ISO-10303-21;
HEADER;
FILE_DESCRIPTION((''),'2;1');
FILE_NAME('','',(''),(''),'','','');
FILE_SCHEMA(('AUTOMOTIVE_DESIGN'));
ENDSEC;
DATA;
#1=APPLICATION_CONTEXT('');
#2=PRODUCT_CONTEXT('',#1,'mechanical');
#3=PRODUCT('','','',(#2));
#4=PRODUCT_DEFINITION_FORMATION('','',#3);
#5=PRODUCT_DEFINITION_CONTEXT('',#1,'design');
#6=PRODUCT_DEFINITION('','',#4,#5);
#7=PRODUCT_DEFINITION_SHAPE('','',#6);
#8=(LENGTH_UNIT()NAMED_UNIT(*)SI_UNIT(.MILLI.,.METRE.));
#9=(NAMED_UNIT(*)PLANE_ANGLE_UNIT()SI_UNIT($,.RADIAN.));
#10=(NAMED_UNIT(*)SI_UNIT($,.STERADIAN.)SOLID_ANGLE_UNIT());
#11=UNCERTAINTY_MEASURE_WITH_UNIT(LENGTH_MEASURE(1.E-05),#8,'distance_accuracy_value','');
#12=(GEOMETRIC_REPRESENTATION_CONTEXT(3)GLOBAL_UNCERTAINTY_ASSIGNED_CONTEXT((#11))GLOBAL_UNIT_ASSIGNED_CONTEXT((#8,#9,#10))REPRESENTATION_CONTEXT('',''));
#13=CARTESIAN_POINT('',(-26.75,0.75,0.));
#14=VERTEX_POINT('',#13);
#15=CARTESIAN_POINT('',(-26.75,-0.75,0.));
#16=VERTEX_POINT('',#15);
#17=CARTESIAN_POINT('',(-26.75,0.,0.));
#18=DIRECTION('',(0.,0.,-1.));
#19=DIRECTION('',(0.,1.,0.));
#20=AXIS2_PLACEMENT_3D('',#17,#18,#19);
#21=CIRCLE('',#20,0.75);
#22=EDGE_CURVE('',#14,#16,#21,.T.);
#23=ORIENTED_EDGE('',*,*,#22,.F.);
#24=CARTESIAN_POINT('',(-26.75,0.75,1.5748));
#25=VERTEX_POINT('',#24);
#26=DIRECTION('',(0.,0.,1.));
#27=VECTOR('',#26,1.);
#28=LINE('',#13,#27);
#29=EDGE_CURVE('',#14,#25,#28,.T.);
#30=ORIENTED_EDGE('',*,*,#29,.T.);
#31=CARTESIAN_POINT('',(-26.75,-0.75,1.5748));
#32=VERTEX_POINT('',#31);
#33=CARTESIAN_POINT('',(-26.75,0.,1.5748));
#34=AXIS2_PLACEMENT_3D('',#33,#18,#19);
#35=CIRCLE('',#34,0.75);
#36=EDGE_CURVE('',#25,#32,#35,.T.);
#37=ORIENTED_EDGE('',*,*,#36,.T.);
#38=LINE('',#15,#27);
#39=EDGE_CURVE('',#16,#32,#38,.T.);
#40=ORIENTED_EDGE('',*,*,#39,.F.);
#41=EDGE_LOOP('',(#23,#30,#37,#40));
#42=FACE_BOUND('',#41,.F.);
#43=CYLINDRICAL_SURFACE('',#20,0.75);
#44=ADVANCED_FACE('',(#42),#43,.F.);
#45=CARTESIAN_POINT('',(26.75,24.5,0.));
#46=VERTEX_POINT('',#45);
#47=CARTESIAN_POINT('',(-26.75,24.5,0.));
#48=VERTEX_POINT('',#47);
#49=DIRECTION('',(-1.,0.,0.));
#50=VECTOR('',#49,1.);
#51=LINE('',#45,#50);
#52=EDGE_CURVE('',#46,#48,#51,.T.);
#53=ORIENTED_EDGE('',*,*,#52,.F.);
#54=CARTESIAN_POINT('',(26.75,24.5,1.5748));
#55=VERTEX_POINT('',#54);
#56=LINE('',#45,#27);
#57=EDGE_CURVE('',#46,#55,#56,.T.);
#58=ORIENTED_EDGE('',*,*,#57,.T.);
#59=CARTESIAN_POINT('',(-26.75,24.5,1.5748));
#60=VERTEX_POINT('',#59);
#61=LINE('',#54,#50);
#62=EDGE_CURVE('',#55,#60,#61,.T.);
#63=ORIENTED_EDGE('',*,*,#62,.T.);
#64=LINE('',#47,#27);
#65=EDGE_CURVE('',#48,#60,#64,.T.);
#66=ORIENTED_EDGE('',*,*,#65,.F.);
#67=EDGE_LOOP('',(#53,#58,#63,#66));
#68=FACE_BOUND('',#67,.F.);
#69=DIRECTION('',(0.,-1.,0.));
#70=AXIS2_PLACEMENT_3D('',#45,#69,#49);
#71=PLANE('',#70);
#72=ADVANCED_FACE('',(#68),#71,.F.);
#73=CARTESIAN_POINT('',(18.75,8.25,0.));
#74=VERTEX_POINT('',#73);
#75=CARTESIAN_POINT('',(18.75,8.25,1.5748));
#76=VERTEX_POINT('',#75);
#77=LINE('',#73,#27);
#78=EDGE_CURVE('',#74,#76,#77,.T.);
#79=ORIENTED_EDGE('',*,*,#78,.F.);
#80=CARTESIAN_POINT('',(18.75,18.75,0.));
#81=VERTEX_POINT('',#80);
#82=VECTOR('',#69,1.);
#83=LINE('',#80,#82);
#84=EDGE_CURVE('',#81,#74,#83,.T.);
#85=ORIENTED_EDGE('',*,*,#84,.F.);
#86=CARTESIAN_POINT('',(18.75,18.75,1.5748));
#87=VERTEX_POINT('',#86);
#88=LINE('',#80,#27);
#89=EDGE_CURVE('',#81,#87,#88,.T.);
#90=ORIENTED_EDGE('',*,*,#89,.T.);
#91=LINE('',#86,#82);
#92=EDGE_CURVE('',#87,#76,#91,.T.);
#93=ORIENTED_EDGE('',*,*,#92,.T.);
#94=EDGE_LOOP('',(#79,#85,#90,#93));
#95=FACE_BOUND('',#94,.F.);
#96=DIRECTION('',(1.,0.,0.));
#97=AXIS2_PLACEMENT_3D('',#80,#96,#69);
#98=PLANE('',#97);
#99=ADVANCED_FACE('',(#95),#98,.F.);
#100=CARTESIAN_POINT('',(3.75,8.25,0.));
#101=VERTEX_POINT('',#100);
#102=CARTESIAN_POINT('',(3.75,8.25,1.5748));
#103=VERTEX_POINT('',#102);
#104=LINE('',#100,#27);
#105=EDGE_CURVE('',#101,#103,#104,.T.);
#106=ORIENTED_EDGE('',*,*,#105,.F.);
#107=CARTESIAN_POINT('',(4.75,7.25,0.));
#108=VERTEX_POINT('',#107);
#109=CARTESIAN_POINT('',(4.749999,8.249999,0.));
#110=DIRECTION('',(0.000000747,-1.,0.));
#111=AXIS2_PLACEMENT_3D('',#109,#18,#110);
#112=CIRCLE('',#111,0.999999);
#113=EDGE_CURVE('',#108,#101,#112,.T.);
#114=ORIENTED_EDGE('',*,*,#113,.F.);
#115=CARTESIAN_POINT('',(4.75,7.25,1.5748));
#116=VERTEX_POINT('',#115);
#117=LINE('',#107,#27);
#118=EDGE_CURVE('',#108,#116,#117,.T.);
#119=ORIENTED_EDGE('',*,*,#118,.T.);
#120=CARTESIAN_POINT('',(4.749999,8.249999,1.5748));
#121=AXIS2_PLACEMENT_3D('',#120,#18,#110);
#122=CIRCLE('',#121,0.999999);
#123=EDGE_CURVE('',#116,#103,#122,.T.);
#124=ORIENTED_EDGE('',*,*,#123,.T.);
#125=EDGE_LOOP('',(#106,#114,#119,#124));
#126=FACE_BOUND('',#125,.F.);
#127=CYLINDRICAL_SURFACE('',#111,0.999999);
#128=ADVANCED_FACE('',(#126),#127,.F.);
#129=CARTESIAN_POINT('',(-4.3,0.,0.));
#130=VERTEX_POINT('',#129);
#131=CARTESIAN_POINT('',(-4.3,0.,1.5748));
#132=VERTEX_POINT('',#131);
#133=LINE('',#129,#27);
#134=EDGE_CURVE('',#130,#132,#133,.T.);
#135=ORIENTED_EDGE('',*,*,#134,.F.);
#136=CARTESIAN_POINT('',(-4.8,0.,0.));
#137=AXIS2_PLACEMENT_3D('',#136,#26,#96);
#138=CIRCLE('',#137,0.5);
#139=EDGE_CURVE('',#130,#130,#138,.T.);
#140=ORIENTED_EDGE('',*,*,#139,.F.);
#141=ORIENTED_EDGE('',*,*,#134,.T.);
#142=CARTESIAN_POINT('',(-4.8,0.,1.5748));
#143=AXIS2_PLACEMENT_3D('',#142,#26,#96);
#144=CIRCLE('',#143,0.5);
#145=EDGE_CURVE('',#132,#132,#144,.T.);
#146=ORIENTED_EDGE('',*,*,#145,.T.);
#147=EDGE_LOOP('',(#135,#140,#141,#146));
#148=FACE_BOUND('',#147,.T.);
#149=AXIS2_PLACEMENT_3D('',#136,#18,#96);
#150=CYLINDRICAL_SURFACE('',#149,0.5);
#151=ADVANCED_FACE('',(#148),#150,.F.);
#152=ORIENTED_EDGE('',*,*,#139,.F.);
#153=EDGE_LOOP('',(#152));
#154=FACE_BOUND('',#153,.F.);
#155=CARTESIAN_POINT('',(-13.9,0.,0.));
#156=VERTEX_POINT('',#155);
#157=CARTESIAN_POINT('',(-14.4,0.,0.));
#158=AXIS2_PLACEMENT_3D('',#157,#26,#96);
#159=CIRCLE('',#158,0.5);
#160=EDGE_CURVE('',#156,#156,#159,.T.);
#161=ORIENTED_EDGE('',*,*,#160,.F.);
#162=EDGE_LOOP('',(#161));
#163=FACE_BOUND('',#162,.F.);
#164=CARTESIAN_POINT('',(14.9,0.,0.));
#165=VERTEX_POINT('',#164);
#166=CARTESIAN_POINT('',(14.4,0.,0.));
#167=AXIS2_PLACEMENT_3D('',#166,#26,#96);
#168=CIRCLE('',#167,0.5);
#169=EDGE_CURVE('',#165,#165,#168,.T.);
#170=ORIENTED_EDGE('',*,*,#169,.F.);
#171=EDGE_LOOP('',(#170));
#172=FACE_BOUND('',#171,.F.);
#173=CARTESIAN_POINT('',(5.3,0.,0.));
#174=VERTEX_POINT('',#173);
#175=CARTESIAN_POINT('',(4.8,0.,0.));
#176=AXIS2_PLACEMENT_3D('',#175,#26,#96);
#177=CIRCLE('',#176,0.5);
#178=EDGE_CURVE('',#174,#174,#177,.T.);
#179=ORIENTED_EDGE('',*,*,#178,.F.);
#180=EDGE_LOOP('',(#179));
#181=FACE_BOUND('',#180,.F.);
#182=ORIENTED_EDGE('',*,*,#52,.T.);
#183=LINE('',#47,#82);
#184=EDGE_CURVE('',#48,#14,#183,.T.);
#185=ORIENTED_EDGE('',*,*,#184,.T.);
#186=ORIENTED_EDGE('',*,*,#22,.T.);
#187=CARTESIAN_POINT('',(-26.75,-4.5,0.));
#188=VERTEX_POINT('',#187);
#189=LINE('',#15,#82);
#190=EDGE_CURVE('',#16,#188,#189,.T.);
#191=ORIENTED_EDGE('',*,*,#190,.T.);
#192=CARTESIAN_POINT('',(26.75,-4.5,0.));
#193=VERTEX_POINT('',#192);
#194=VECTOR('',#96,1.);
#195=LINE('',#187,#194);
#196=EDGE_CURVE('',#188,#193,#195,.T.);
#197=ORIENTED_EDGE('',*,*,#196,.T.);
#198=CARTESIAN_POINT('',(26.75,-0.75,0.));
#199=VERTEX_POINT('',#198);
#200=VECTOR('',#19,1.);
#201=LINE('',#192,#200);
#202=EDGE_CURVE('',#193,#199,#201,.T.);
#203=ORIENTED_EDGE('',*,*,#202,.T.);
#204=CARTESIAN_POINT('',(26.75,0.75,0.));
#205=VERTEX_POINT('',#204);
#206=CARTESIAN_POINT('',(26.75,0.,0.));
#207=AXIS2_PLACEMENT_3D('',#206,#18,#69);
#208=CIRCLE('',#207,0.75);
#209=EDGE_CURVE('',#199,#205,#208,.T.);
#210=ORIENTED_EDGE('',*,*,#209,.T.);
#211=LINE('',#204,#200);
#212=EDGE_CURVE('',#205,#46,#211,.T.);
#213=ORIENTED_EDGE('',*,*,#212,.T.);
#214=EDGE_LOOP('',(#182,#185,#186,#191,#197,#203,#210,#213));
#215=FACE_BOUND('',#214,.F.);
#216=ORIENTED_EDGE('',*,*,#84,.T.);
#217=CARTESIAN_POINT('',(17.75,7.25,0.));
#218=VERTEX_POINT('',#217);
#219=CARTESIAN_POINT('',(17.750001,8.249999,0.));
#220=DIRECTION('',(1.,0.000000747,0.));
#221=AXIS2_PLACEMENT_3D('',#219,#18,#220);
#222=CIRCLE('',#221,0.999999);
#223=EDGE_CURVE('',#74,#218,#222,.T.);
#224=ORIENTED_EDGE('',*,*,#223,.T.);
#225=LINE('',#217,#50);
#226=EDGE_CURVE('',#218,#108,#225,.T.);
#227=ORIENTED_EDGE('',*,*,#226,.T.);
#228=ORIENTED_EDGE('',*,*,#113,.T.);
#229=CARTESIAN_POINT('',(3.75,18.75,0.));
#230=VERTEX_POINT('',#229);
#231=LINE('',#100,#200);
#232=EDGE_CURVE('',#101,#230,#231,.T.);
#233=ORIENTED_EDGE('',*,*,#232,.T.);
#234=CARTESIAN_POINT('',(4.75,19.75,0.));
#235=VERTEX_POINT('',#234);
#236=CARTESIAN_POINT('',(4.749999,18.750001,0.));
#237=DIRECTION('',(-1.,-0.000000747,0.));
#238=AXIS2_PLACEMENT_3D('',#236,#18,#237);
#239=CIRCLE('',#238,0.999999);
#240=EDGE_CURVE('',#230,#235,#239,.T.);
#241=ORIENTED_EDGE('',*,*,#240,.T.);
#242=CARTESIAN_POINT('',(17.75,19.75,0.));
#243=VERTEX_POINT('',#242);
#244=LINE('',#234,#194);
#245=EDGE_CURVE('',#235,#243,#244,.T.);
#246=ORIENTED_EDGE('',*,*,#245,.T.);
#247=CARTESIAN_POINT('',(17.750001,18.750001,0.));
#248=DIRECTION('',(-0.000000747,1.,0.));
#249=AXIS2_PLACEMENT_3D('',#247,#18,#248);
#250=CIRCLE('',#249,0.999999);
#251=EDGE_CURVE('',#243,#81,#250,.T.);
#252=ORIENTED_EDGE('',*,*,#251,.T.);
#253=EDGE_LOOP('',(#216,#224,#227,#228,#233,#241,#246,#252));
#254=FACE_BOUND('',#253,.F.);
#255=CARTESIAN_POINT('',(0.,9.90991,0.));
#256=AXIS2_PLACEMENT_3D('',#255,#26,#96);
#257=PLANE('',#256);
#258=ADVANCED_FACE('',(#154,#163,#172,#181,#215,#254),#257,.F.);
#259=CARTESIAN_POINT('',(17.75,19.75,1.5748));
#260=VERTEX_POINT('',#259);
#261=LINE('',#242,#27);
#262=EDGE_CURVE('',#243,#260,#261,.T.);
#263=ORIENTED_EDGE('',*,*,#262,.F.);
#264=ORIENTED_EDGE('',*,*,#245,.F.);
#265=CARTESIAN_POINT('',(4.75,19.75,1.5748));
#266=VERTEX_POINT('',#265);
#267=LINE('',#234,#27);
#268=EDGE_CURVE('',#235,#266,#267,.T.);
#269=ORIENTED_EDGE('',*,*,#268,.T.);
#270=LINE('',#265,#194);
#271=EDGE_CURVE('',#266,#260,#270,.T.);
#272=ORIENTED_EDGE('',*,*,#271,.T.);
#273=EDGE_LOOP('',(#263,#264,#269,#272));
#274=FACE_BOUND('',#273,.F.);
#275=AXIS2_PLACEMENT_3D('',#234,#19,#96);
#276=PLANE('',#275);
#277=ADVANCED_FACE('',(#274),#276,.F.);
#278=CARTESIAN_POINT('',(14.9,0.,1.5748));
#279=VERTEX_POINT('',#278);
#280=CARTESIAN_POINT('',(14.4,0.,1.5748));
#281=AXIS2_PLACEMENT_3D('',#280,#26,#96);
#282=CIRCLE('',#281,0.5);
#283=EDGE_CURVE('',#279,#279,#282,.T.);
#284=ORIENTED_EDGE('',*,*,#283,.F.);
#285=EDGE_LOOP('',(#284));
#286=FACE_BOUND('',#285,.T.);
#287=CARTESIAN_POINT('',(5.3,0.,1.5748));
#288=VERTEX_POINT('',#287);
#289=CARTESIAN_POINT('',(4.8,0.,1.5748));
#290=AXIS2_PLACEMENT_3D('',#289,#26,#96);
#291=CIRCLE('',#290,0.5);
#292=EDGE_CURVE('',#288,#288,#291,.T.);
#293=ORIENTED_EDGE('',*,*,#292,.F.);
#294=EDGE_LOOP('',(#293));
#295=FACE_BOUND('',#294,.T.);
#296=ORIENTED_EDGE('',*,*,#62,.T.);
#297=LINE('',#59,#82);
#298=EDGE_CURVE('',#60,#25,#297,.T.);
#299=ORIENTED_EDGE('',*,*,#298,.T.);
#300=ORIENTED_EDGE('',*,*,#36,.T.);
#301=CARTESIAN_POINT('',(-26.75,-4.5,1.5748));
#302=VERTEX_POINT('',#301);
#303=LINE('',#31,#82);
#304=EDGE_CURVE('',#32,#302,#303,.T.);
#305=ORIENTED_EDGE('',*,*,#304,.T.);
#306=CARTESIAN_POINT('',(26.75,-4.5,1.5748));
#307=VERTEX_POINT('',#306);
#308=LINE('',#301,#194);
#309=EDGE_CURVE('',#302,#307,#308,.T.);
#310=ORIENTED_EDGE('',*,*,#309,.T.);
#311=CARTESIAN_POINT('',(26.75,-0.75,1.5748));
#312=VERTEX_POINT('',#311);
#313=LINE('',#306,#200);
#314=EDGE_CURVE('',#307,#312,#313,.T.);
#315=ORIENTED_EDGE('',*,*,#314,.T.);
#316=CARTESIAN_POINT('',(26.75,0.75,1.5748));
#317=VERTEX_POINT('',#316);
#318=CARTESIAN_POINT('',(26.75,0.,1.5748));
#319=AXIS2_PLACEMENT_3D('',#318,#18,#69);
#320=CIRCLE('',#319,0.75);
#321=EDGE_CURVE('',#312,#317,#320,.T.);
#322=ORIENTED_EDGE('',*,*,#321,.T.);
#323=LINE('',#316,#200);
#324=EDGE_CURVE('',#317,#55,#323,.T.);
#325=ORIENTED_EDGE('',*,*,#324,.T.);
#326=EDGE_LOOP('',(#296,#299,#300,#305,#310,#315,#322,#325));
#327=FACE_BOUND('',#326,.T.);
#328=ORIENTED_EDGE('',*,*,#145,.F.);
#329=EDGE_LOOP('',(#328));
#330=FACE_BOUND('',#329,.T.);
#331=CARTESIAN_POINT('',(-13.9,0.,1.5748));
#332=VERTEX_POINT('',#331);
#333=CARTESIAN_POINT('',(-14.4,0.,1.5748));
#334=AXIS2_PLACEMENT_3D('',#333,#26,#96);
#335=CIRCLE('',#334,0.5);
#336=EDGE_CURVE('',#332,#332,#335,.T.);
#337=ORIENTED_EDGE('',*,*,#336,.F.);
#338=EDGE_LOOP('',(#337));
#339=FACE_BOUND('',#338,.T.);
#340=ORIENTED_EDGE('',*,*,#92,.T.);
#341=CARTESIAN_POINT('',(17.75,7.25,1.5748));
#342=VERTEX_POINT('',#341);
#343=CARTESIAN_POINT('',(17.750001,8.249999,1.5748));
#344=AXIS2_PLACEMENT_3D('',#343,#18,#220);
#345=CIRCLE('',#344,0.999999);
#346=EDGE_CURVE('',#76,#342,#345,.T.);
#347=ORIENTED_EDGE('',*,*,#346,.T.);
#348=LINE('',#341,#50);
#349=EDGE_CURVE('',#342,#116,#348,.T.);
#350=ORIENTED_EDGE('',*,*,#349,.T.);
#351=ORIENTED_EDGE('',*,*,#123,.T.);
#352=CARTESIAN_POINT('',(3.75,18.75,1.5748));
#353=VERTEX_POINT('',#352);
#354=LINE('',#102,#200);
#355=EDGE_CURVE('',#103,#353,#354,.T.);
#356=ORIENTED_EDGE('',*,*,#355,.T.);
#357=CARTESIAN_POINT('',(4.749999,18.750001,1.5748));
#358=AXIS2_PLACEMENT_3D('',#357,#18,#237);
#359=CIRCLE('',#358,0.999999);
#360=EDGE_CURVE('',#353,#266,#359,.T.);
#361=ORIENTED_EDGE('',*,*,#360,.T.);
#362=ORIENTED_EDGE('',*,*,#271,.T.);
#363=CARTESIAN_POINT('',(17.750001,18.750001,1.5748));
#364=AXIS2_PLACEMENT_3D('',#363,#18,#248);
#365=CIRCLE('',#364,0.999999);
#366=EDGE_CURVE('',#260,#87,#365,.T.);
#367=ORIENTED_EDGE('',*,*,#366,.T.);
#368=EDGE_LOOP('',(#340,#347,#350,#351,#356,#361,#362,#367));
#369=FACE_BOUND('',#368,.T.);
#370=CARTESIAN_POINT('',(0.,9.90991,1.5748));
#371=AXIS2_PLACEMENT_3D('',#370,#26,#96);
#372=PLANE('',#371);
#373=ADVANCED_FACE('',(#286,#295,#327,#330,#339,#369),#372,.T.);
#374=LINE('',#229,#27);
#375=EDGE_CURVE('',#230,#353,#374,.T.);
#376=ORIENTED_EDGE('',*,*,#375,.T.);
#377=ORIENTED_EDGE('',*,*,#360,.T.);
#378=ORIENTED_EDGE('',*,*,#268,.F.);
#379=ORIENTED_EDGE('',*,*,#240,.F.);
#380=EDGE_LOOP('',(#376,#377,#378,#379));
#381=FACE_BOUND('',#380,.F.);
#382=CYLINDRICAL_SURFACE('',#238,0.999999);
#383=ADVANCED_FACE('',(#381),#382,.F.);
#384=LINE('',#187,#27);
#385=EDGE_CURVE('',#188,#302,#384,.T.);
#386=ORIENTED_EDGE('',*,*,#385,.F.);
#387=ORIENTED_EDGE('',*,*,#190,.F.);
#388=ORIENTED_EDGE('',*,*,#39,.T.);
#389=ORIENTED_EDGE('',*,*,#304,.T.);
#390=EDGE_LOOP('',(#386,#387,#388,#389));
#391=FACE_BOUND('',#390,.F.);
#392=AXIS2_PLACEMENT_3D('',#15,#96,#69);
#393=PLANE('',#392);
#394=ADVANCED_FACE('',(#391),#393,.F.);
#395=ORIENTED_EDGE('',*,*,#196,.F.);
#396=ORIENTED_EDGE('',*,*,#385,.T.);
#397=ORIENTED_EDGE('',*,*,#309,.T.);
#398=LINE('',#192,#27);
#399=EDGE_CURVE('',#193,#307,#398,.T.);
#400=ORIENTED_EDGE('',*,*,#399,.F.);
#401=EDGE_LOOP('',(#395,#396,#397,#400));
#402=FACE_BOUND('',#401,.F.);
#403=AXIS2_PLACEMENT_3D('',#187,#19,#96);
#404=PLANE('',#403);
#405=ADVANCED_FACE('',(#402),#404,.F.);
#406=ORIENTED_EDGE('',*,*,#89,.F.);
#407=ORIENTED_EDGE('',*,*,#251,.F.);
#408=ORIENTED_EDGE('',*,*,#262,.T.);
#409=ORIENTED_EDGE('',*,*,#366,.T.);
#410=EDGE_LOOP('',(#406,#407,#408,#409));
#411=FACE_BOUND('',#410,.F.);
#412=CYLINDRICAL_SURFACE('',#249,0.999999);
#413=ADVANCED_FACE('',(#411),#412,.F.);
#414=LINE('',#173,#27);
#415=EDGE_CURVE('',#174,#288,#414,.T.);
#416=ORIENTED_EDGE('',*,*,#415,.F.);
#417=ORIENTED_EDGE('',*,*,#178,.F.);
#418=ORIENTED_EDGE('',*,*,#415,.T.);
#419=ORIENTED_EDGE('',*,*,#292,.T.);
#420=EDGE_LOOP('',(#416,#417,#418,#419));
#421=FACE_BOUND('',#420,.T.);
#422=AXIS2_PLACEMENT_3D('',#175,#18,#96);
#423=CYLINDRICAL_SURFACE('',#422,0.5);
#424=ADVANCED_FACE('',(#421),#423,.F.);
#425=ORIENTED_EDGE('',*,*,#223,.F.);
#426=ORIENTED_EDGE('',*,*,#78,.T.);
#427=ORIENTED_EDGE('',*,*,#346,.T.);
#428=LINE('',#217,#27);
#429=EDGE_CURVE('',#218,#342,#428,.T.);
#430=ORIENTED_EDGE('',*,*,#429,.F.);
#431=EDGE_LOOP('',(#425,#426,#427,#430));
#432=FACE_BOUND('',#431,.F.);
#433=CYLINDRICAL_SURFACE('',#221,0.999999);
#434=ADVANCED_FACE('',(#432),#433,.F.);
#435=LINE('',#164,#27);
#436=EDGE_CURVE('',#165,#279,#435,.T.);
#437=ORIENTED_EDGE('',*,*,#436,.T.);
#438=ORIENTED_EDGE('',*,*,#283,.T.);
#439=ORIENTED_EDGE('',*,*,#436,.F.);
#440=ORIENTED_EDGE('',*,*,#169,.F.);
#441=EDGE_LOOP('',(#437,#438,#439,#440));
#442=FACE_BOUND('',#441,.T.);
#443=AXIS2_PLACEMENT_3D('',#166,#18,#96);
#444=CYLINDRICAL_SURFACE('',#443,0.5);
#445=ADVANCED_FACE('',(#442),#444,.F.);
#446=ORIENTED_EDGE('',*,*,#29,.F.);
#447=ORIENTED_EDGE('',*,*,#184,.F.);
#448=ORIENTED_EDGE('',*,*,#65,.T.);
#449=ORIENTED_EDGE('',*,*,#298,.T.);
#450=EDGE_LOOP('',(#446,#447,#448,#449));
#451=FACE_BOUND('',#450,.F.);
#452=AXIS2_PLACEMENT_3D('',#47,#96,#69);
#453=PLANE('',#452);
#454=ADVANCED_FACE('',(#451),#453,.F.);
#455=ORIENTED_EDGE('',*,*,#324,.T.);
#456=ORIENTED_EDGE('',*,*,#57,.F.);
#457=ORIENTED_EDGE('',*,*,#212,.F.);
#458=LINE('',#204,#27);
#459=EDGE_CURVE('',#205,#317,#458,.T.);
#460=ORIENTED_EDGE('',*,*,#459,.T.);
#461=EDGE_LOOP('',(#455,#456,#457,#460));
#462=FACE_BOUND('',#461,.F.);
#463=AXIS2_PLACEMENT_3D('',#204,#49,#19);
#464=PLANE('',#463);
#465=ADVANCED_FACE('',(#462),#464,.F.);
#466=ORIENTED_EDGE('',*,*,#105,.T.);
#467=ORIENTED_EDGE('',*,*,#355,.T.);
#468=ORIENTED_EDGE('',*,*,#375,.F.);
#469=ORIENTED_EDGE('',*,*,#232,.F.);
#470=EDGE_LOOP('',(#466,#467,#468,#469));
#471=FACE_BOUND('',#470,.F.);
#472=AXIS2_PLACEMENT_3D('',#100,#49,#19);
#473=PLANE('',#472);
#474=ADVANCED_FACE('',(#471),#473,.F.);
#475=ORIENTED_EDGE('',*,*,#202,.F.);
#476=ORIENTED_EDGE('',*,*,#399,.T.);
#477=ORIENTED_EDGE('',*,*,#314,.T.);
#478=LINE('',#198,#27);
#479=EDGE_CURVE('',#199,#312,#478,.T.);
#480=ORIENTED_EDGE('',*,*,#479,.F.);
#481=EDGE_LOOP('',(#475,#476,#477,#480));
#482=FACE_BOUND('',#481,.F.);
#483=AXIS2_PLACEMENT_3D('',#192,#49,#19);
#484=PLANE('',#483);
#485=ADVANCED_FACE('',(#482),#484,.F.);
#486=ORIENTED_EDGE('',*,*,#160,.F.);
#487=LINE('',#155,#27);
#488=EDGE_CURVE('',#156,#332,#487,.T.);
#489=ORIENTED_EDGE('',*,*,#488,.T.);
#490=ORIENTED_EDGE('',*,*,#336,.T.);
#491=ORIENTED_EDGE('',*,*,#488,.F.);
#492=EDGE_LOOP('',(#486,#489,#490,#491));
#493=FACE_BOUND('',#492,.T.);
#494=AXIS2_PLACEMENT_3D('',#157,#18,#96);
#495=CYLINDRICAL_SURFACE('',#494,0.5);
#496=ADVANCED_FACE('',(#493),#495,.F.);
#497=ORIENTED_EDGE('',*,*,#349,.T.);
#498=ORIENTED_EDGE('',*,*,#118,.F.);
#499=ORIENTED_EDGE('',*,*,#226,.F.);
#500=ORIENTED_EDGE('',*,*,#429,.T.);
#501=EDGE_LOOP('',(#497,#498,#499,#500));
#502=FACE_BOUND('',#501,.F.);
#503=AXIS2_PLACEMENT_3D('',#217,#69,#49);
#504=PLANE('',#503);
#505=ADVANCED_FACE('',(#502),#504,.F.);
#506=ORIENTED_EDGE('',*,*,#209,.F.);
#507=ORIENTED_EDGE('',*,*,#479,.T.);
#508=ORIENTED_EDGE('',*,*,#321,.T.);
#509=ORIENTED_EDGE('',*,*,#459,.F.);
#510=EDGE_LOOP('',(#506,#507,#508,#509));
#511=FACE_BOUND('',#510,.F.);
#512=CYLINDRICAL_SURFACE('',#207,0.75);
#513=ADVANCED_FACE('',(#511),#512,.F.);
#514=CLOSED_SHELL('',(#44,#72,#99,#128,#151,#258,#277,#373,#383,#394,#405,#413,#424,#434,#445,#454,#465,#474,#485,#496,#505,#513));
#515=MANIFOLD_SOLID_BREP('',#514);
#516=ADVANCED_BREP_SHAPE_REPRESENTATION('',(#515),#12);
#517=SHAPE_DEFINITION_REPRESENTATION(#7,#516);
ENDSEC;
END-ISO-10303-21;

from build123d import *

# Parameters (mm, degrees)
F0_R     = 0.5
F1_DEPTH = 1.5748


with BuildPart() as f1:
    # F0 (on Top) → F1 (new body)
    with BuildSketch(Plane.XY):
        with BuildLine():
            Line((-26.75, -0.75), (-26.75, -4.5))
            Line((-26.75, -4.5), (26.75, -4.5))
            Line((26.75, -4.5), (26.75, -0.75))
            ThreePointArc((26.75, -0.75), (26, 0), (26.75, 0.75))
            Line((26.75, 0.75), (26.75, 24.5))
            Line((26.75, 24.5), (-26.75, 24.5))
            Line((-26.75, 24.5), (-26.75, 0.75))
            ThreePointArc((-26.75, 0.75), (-26, 0), (-26.75, -0.75))
        make_face()
        with Locations((-14.4, 0)):
            Circle(F0_R, mode=Mode.SUBTRACT)
        with Locations((-4.8, 0)):
            Circle(F0_R, mode=Mode.SUBTRACT)
        with Locations((4.8, 0)):
            Circle(F0_R, mode=Mode.SUBTRACT)
        with Locations((14.4, 0)):
            Circle(F0_R, mode=Mode.SUBTRACT)
        with BuildLine():
            ThreePointArc((3.75, 18.75), (4.042893, 19.457107), (4.75, 19.75))
            Line((4.75, 19.75), (17.75, 19.75))
            ThreePointArc((17.75, 19.75), (18.457107, 19.457107), (18.75, 18.75))
            Line((18.75, 18.75), (18.75, 8.25))
            ThreePointArc((18.75, 8.25), (18.457107, 7.542893), (17.75, 7.25))
            Line((17.75, 7.25), (4.75, 7.25))
            ThreePointArc((4.75, 7.25), (4.042893, 7.542893), (3.75, 8.25))
            Line((3.75, 8.25), (3.75, 18.75))
        make_face(mode=Mode.SUBTRACT)
    extrude(amount=F1_DEPTH)


solid = f1.part
